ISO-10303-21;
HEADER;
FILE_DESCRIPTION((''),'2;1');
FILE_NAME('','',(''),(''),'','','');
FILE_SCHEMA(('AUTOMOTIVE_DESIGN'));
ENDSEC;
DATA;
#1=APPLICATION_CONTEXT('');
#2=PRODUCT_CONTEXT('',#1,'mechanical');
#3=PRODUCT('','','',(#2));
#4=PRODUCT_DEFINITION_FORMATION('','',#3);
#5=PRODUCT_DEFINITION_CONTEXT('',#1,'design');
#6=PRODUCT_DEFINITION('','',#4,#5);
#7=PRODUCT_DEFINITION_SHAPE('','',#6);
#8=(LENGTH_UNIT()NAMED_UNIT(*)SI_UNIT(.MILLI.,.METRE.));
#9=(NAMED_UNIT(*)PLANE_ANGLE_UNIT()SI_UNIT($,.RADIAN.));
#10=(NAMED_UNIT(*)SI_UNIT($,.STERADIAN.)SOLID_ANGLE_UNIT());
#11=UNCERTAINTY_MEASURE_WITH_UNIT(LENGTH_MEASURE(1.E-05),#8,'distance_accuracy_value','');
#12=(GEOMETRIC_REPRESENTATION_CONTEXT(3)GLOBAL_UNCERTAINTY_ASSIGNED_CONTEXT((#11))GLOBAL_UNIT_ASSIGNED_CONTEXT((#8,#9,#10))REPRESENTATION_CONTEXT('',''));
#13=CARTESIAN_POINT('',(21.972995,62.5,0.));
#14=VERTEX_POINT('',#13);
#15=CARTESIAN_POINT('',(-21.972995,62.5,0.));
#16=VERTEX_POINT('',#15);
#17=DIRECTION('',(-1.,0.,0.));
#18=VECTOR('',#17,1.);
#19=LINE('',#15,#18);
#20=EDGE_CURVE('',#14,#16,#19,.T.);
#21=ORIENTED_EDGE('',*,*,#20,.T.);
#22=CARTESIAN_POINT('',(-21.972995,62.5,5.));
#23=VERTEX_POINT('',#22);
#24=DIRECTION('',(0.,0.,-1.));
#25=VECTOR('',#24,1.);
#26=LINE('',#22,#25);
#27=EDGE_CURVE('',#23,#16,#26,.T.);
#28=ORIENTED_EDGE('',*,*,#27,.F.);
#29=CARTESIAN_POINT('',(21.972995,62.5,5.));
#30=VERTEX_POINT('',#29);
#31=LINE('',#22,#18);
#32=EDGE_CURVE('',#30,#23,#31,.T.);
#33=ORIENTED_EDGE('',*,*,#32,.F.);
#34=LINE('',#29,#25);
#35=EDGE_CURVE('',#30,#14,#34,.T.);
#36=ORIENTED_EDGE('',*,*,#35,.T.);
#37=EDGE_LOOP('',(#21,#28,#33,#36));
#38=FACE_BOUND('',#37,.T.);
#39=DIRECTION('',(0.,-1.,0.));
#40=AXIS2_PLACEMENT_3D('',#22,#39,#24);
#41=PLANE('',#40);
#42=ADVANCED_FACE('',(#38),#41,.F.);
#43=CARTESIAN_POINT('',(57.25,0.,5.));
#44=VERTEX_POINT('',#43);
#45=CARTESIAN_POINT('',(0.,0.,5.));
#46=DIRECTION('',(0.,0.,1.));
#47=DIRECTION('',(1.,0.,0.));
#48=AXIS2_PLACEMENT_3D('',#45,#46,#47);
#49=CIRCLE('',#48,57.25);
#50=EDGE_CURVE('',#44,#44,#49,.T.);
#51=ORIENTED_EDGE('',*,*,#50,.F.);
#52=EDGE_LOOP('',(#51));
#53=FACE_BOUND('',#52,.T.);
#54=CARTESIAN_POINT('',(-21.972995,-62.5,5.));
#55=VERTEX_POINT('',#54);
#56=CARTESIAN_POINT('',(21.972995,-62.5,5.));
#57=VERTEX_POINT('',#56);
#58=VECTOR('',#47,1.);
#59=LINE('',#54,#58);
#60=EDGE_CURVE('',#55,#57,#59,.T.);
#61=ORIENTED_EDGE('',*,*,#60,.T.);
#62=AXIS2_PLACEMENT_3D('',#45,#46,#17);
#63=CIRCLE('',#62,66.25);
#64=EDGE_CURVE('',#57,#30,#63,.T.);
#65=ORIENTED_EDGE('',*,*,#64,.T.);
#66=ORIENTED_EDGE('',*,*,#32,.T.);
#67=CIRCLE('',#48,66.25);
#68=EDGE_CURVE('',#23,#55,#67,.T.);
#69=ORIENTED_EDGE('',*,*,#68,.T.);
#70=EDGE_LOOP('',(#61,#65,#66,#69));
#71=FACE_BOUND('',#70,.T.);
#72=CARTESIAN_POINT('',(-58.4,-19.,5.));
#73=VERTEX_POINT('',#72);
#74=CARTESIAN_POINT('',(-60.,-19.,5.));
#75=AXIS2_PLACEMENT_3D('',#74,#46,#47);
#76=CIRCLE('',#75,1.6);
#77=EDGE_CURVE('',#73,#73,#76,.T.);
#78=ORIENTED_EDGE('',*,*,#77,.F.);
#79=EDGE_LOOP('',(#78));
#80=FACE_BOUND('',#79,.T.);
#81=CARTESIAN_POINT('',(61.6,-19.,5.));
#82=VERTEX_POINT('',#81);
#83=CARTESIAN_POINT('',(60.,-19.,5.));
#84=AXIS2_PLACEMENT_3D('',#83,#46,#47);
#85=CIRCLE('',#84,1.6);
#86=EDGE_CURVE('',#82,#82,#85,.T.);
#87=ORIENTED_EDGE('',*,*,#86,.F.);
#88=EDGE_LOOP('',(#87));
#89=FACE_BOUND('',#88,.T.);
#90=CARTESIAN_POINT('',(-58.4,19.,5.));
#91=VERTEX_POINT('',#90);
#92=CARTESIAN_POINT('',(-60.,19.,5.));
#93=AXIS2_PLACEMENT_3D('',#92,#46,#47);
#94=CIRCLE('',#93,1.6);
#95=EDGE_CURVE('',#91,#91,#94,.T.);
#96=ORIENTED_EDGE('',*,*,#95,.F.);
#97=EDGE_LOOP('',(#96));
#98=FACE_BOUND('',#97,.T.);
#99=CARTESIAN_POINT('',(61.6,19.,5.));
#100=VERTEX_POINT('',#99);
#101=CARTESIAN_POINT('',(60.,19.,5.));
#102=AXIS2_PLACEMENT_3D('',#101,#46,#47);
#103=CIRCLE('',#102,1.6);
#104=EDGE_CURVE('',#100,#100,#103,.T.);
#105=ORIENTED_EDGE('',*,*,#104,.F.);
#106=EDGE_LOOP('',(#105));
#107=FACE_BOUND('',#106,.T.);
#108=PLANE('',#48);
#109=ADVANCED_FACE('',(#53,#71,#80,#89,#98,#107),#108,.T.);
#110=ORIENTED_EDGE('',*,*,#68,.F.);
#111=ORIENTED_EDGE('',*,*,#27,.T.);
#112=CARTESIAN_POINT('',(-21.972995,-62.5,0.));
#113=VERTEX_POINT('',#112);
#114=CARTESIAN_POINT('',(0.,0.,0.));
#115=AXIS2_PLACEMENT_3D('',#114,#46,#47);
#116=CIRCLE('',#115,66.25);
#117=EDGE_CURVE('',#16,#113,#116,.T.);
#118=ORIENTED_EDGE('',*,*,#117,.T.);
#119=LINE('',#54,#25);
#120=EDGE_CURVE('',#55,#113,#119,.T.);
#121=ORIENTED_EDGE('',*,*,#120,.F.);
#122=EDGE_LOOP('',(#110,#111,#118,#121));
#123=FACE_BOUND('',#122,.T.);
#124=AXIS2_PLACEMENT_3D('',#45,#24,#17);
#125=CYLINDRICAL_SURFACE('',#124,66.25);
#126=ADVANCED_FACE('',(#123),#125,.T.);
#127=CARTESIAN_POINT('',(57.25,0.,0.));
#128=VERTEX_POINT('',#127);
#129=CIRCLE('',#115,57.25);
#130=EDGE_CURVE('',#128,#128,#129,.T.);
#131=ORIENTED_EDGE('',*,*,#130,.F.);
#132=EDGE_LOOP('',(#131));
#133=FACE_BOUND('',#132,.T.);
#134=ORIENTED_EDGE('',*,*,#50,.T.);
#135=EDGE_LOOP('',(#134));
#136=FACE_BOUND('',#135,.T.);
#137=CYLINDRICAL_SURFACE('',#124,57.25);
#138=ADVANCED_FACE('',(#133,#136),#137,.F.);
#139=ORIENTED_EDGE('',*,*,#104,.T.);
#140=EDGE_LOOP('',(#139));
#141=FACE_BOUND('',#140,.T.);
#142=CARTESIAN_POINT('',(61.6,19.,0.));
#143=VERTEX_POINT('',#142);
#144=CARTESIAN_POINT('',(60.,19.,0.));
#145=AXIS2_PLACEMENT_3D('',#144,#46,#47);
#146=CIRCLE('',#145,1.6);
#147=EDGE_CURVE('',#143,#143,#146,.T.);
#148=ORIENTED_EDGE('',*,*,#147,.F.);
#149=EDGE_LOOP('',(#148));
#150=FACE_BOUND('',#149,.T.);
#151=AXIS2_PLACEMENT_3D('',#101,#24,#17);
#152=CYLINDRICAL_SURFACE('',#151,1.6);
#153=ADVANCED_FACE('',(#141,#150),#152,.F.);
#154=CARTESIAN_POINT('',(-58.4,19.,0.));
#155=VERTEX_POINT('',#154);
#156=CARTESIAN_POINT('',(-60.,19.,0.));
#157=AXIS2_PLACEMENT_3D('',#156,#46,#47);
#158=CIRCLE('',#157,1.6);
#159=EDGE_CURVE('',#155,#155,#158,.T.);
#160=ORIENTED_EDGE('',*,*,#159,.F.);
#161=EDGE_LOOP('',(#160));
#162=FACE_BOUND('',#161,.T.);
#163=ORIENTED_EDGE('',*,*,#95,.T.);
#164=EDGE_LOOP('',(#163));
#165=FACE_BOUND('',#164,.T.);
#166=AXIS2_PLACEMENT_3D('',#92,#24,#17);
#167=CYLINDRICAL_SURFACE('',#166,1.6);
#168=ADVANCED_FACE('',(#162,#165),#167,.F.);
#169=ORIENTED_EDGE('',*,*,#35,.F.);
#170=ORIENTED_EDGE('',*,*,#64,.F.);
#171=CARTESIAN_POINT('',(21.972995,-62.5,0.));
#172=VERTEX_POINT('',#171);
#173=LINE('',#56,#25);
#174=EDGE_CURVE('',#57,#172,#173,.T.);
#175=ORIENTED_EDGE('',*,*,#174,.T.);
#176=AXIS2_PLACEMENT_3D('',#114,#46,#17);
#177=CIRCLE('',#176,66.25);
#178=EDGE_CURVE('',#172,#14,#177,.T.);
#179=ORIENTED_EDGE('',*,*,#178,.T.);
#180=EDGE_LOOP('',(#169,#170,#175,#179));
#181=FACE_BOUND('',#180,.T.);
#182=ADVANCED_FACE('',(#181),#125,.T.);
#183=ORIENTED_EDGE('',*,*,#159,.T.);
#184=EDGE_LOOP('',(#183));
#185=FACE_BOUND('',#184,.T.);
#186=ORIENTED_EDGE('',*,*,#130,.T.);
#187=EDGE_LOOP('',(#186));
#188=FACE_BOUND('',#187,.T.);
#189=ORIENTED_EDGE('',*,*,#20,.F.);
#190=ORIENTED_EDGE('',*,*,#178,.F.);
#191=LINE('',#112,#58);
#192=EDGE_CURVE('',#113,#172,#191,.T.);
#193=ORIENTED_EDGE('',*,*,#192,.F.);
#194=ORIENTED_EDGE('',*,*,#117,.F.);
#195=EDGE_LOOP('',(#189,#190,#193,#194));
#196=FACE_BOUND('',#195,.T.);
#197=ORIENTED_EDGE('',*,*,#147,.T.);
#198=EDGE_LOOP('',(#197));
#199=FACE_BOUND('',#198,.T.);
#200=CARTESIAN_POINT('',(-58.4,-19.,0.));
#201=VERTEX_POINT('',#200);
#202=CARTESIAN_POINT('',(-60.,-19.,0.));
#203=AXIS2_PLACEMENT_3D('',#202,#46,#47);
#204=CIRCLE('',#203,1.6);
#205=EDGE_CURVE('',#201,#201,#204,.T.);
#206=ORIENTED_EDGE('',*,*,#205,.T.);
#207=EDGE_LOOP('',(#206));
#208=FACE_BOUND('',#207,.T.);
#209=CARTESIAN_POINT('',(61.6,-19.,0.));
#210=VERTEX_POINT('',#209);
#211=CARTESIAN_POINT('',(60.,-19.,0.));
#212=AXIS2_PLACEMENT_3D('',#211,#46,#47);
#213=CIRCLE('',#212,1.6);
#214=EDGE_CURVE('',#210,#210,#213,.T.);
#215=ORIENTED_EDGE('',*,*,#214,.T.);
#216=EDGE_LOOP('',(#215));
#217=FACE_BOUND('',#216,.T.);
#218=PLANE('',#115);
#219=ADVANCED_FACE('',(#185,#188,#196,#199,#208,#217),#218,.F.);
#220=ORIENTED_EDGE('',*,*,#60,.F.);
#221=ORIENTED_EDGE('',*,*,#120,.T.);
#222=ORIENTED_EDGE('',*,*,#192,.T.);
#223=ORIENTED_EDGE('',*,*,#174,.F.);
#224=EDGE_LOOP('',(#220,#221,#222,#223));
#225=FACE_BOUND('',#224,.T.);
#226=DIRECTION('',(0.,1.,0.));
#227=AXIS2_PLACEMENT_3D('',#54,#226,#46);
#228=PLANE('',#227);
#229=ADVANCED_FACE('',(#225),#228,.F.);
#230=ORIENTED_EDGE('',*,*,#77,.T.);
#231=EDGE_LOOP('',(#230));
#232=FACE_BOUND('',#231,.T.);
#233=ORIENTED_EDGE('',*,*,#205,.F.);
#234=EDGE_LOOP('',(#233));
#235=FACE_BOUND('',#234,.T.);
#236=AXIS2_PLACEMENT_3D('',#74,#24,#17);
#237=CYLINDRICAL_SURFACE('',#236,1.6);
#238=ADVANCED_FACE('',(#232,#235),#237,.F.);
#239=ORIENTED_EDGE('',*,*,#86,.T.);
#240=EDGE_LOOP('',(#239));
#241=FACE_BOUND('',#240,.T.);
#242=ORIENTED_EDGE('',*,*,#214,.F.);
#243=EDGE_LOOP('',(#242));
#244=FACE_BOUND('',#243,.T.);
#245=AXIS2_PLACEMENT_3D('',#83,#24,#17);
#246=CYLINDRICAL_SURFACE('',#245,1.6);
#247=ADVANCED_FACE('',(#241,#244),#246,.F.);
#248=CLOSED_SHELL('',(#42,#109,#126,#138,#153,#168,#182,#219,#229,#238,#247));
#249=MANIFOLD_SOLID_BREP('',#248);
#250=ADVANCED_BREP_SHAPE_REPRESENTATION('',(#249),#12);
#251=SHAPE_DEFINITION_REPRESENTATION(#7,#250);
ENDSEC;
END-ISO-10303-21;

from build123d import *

# Parameters (mm, degrees)
ESQUISSE2_R        = 1.6
ESQUISSE2_R_2      = 57.25
BOSS_EXTRU_2_DEPTH = 5


with BuildPart() as part:
    # Esquisse2 → Boss.-Extru.2 (new body)
    with BuildSketch(Plane.XY):
        with BuildLine():
            Line((-21.972994789, 62.5), (21.972994789, 62.5))
            ThreePointArc((21.972994789, 62.5), (66.25, 0), (21.972994789, -62.5))
            Line((21.972994789, -62.5), (-21.972994789, -62.5))
            ThreePointArc((-21.972994789, -62.5), (-66.25, 0), (-21.972994789, 62.5))
        make_face()
        with Locations((60, 19)):
            Circle(ESQUISSE2_R, mode=Mode.SUBTRACT)
        with Locations((60, -19)):
            Circle(ESQUISSE2_R, mode=Mode.SUBTRACT)
        with Locations((-60, -19)):
            Circle(ESQUISSE2_R, mode=Mode.SUBTRACT)
        with Locations((-60, 19)):
            Circle(ESQUISSE2_R, mode=Mode.SUBTRACT)
        Circle(ESQUISSE2_R_2, mode=Mode.SUBTRACT)
    extrude(amount=BOSS_EXTRU_2_DEPTH)


solid = part.part
